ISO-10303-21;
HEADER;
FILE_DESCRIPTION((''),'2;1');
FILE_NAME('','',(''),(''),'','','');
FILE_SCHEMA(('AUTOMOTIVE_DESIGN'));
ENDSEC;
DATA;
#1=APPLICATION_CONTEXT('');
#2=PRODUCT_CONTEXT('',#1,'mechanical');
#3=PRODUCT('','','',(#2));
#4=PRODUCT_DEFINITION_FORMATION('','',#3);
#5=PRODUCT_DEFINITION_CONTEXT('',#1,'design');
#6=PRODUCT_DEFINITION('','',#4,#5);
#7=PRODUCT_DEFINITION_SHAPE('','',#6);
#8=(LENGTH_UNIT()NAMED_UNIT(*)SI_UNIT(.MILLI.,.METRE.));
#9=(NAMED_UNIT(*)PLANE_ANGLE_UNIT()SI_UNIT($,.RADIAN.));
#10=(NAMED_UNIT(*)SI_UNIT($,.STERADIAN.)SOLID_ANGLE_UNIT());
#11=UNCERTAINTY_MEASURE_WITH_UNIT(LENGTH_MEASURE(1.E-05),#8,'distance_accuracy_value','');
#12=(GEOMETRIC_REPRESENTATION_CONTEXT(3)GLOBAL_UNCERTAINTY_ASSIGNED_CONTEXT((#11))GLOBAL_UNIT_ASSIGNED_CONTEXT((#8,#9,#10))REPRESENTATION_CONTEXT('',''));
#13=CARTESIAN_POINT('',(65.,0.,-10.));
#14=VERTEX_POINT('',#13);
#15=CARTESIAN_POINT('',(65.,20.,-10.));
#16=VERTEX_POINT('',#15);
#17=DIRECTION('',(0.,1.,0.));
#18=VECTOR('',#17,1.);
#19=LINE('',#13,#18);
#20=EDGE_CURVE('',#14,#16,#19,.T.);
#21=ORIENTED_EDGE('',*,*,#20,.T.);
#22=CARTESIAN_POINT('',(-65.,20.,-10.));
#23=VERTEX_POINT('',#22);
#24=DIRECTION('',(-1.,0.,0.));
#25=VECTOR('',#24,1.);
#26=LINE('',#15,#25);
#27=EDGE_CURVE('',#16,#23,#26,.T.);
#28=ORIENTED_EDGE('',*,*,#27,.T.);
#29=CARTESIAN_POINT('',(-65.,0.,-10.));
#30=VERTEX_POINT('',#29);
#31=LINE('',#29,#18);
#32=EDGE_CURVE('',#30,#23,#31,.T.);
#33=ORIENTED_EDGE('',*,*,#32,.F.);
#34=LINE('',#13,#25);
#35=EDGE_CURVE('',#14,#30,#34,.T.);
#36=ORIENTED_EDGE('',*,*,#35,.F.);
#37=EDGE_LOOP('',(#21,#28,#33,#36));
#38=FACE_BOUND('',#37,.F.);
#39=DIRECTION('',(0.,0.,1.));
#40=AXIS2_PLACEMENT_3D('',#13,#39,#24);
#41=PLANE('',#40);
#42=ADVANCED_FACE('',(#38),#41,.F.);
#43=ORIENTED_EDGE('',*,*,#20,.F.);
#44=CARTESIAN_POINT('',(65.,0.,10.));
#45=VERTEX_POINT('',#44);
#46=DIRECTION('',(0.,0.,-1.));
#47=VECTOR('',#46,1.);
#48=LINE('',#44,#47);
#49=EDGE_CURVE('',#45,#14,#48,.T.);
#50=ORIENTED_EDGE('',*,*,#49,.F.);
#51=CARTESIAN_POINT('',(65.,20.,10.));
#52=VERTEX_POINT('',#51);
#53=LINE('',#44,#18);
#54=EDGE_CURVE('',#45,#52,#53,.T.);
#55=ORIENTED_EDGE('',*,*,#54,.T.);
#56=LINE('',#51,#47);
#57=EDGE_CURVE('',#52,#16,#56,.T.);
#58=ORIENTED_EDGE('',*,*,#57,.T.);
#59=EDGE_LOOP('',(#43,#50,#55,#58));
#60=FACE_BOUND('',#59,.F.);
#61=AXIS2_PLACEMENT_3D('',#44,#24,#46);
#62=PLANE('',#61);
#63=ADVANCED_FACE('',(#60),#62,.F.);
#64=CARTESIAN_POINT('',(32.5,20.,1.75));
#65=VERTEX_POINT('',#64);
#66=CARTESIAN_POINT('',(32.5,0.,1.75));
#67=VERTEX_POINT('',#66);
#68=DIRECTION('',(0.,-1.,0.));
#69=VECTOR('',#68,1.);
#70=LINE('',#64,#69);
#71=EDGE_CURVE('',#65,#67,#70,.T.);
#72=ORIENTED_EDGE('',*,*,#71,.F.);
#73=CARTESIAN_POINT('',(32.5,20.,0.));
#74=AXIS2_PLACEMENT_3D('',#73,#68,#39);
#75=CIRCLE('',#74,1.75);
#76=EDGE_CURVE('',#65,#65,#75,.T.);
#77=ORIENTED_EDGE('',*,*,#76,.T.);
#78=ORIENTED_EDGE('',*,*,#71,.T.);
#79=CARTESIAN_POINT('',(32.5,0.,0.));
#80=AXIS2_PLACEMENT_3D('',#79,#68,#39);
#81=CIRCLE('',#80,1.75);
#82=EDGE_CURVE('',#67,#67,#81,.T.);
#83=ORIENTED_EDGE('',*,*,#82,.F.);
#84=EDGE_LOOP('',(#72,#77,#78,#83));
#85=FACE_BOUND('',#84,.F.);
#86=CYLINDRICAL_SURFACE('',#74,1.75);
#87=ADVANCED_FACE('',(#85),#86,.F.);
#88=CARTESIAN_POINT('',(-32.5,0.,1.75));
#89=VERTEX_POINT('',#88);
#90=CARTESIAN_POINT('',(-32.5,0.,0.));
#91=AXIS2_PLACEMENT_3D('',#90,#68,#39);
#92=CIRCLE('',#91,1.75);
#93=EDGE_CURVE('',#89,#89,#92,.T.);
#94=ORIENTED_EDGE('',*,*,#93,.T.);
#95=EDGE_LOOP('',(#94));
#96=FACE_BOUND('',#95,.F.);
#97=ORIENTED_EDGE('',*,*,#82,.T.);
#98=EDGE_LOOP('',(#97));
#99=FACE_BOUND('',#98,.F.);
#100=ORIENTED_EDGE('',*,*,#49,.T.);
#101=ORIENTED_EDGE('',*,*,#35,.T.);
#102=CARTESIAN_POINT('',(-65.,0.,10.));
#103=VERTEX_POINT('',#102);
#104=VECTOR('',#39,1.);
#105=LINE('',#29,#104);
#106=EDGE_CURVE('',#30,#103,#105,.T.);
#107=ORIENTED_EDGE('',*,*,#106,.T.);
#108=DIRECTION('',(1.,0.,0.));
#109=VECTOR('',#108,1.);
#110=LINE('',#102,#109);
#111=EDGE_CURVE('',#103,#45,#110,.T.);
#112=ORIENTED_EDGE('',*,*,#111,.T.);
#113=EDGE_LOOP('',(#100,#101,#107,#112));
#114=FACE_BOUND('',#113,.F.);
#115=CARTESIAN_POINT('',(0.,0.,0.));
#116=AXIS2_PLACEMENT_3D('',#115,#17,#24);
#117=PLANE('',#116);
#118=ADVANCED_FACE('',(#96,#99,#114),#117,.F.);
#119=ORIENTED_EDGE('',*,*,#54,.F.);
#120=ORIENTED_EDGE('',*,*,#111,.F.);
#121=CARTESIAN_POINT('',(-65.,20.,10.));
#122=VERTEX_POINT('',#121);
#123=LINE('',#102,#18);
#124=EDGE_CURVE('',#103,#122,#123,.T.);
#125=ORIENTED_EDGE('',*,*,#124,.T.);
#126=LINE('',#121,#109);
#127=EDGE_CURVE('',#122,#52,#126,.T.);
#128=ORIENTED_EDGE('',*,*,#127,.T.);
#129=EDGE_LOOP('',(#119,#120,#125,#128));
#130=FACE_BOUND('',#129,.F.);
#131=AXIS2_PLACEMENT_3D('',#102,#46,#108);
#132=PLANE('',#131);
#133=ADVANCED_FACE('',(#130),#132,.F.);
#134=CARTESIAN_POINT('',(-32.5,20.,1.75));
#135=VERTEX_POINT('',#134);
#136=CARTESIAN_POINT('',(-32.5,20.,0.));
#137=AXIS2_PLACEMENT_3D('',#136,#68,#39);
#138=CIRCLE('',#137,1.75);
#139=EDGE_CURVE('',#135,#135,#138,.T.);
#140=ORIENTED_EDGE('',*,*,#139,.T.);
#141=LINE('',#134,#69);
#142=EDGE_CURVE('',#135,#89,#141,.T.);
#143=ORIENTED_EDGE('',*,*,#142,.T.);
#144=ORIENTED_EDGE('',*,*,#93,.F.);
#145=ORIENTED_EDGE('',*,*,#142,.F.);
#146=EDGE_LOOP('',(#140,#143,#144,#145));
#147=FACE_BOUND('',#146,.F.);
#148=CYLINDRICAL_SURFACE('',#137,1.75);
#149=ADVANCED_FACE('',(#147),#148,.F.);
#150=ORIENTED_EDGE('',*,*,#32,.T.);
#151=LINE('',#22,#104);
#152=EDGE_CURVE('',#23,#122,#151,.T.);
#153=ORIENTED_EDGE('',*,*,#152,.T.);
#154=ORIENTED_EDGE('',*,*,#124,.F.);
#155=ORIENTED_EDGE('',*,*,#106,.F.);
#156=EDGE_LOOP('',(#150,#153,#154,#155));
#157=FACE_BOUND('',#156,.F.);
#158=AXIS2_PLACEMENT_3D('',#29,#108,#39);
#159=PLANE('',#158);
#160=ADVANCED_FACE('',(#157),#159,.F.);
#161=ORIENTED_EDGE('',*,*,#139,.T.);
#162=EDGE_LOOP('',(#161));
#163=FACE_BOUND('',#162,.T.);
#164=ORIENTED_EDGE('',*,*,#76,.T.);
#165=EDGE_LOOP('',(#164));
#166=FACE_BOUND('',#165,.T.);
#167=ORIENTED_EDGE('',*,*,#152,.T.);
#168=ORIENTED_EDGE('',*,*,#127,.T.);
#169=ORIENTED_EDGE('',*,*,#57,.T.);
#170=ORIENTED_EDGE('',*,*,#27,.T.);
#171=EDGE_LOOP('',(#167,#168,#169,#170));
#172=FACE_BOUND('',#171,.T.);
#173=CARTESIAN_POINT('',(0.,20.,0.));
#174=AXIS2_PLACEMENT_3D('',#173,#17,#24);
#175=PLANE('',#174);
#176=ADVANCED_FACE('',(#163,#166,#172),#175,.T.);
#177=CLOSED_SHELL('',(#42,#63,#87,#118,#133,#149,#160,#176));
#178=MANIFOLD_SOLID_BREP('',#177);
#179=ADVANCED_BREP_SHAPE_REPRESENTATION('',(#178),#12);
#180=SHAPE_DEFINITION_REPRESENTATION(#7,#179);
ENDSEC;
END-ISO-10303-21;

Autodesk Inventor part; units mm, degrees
ref_plane "YZ Plane" through (0, 0, 0) normal (1, 0, 0) x (0, 1, 0)
ref_plane "XZ Plane" through (0, 0, 0) normal (0, 1, 0) x (-1, 0, 0)
ref_plane "XY Plane" through (0, 0, 0) normal (0, 0, 1) x (1, 0, 0)
sketch "스케치2" plane through (0, 0, 0) normal (0, 1, 0) x (-1, 0, 0)
  line L0 (65, 10) -> (-65, 10)
  line L1 (-65, 10) -> (-65, -10)
  line L2 (-65, -10) -> (65, -10)
  line L3 (65, -10) -> (65, 10)
  line L4 (65, 10) -> (-65, -10) construction
  line L5 (-65, 10) -> (65, -10) construction
  point P0 (0, 0)
  dimension "d2" = 130
  dimension "d4" = 20
extrude "돌출2" add sketch "스케치2" along normal blind 20
sketch "스케치3" plane through (0, 20, 0) normal (0, 1, 0) x (1, 0, 0)
  point P0 (0, 0)
  point P1 (32.5, 0)
  point P2 (-32.5, 0)
  dimension "d7" = 32.5
  dimension "d8" = 32.5
hole "구멍1" at (32.5, 20, 0) at (-32.5, 20, 0) direction (0, -1, 0) diameter 3.5 end through all
equation "\"d8\" = d7"
properties part number "3D지지대"
